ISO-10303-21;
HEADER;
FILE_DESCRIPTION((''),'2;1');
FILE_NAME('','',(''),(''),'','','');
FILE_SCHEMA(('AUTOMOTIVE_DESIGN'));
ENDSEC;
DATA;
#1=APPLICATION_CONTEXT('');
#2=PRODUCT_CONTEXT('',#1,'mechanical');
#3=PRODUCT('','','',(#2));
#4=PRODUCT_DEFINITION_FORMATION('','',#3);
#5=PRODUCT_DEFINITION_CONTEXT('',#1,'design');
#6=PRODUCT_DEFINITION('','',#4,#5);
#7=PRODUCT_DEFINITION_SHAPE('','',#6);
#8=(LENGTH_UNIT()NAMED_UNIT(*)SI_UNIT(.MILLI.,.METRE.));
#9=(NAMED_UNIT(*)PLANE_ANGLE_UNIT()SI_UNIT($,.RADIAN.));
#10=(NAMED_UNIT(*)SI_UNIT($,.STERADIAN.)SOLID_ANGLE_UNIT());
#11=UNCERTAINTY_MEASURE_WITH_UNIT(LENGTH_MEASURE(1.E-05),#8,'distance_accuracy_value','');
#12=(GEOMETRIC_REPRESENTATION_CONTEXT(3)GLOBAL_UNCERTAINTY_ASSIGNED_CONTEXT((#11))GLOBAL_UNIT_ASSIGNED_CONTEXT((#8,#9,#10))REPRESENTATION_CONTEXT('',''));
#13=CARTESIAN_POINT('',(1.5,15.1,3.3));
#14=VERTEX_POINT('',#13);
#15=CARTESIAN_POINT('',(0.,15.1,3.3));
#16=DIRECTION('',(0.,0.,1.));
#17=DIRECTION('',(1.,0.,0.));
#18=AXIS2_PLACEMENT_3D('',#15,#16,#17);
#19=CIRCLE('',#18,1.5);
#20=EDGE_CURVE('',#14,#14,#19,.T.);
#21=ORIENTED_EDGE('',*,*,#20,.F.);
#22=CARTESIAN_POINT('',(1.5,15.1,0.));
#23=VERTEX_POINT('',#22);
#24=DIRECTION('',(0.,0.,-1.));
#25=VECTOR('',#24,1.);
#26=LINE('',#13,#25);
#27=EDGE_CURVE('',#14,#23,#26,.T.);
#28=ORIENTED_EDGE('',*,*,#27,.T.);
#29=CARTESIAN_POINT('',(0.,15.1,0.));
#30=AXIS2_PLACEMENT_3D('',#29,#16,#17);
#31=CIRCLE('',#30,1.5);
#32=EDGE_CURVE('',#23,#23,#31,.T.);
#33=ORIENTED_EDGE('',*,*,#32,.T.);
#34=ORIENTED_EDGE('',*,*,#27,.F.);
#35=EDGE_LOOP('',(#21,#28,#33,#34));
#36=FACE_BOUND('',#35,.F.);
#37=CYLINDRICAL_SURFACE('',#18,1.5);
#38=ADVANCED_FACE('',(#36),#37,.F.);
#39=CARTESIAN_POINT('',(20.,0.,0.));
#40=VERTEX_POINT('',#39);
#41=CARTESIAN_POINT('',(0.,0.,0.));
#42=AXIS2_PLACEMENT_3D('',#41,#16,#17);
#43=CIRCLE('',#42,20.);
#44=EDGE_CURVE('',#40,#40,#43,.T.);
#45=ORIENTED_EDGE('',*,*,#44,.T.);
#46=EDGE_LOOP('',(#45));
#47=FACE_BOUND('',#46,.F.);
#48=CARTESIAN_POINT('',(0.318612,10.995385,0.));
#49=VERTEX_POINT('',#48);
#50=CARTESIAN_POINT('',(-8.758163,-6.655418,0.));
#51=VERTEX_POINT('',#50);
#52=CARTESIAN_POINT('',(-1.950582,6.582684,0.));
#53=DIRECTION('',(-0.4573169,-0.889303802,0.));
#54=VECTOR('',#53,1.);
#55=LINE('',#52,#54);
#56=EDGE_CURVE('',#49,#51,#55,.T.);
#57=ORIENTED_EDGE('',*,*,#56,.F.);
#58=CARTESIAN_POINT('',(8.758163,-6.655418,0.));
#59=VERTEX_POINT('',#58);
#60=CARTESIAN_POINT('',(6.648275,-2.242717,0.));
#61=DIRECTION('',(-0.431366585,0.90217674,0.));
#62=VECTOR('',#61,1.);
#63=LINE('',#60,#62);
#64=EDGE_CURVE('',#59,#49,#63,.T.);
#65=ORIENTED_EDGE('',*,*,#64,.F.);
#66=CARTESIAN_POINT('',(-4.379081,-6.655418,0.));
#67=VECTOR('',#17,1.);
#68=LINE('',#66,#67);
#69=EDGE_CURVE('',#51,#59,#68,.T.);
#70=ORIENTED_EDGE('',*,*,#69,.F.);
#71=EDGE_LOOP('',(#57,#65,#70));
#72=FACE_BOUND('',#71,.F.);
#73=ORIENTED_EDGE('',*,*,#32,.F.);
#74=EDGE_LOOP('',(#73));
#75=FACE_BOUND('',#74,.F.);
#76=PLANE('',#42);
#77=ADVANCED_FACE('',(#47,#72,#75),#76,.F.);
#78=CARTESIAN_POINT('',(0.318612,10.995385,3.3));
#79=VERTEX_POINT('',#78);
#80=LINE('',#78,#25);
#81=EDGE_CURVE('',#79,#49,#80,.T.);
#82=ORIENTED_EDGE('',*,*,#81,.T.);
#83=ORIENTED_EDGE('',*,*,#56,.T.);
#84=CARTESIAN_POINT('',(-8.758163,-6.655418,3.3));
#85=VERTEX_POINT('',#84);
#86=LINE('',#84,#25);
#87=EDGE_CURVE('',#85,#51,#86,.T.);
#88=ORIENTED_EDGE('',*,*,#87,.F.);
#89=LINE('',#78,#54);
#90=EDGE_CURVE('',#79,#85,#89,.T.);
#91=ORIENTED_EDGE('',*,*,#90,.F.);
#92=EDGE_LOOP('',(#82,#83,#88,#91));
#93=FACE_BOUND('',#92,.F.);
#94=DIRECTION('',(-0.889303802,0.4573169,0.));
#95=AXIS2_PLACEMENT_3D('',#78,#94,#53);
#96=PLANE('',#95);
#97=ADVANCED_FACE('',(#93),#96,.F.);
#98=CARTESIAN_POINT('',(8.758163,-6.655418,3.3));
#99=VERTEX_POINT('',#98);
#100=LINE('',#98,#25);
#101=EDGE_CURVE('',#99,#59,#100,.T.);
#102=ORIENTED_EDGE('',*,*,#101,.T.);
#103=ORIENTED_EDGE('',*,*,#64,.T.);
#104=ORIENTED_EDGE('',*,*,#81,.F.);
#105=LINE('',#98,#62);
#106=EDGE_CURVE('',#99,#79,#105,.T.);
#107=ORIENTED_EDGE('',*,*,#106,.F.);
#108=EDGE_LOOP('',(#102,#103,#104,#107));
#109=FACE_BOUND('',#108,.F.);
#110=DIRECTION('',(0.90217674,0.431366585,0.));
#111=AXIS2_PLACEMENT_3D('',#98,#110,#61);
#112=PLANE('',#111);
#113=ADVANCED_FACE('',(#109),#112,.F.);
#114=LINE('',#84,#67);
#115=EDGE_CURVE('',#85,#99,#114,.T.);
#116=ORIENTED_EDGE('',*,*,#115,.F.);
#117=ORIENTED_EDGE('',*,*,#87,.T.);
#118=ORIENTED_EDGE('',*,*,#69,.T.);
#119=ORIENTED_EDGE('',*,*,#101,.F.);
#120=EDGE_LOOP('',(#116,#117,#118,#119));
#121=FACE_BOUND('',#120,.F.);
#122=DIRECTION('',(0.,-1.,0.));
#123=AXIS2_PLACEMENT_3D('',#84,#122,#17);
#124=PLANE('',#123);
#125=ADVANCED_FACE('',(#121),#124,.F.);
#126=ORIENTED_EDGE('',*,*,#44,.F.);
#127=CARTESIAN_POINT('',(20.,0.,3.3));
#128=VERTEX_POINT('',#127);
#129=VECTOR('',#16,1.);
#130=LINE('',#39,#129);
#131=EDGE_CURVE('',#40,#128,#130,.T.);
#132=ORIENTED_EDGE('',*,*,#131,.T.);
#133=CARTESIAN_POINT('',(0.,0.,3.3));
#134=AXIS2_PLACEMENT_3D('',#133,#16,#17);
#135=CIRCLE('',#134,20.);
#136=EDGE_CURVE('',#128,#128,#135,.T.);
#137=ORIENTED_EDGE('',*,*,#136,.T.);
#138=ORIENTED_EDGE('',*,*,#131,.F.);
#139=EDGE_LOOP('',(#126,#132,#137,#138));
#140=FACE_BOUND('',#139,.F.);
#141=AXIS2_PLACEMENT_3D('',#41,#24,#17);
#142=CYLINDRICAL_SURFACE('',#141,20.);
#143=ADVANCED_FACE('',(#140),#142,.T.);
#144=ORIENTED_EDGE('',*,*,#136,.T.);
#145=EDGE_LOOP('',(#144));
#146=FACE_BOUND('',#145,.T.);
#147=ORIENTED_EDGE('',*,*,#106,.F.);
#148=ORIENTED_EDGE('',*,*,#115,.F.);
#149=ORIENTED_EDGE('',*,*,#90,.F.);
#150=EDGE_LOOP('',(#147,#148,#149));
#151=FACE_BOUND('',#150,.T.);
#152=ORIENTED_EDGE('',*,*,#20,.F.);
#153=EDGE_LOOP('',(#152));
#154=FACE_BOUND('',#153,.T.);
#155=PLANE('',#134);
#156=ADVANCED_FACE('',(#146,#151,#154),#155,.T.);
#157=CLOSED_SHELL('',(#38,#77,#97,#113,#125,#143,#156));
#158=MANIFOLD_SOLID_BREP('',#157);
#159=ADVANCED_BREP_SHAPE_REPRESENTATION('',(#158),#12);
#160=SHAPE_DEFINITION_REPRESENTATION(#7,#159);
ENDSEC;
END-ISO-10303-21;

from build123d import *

# Parameters (mm, degrees)
CYLINDER_R      = 20
CYLINDER_DEPTH  = 3.3
SKETCH_R        = 1.5
POCKET_DEPTH    = 3.301
POCKET001_DEPTH = 5


with BuildPart() as part:
    # Cylinder → Cylinder (new body)
    with BuildSketch(Plane.XY):
        Circle(CYLINDER_R)
    extrude(amount=CYLINDER_DEPTH)

    # Sketch (on Face2 of Cylinder) → Pocket (cut, through all)
    with BuildSketch(Plane.XY.offset(3.3)):
        with Locations((0, 15.1)):
            Circle(SKETCH_R)
    extrude(amount=-POCKET_DEPTH, mode=Mode.SUBTRACT)

    # Sketch001 (on Face2 of Pocket) → Pocket001 (cut)
    with BuildSketch(Plane.XY.offset(3.3)):
        Polygon((0.318612, 10.995385), (-8.758163, -6.655418), (8.758163, -6.655418), align=None)
    extrude(amount=-POCKET001_DEPTH, mode=Mode.SUBTRACT)


solid = part.part
